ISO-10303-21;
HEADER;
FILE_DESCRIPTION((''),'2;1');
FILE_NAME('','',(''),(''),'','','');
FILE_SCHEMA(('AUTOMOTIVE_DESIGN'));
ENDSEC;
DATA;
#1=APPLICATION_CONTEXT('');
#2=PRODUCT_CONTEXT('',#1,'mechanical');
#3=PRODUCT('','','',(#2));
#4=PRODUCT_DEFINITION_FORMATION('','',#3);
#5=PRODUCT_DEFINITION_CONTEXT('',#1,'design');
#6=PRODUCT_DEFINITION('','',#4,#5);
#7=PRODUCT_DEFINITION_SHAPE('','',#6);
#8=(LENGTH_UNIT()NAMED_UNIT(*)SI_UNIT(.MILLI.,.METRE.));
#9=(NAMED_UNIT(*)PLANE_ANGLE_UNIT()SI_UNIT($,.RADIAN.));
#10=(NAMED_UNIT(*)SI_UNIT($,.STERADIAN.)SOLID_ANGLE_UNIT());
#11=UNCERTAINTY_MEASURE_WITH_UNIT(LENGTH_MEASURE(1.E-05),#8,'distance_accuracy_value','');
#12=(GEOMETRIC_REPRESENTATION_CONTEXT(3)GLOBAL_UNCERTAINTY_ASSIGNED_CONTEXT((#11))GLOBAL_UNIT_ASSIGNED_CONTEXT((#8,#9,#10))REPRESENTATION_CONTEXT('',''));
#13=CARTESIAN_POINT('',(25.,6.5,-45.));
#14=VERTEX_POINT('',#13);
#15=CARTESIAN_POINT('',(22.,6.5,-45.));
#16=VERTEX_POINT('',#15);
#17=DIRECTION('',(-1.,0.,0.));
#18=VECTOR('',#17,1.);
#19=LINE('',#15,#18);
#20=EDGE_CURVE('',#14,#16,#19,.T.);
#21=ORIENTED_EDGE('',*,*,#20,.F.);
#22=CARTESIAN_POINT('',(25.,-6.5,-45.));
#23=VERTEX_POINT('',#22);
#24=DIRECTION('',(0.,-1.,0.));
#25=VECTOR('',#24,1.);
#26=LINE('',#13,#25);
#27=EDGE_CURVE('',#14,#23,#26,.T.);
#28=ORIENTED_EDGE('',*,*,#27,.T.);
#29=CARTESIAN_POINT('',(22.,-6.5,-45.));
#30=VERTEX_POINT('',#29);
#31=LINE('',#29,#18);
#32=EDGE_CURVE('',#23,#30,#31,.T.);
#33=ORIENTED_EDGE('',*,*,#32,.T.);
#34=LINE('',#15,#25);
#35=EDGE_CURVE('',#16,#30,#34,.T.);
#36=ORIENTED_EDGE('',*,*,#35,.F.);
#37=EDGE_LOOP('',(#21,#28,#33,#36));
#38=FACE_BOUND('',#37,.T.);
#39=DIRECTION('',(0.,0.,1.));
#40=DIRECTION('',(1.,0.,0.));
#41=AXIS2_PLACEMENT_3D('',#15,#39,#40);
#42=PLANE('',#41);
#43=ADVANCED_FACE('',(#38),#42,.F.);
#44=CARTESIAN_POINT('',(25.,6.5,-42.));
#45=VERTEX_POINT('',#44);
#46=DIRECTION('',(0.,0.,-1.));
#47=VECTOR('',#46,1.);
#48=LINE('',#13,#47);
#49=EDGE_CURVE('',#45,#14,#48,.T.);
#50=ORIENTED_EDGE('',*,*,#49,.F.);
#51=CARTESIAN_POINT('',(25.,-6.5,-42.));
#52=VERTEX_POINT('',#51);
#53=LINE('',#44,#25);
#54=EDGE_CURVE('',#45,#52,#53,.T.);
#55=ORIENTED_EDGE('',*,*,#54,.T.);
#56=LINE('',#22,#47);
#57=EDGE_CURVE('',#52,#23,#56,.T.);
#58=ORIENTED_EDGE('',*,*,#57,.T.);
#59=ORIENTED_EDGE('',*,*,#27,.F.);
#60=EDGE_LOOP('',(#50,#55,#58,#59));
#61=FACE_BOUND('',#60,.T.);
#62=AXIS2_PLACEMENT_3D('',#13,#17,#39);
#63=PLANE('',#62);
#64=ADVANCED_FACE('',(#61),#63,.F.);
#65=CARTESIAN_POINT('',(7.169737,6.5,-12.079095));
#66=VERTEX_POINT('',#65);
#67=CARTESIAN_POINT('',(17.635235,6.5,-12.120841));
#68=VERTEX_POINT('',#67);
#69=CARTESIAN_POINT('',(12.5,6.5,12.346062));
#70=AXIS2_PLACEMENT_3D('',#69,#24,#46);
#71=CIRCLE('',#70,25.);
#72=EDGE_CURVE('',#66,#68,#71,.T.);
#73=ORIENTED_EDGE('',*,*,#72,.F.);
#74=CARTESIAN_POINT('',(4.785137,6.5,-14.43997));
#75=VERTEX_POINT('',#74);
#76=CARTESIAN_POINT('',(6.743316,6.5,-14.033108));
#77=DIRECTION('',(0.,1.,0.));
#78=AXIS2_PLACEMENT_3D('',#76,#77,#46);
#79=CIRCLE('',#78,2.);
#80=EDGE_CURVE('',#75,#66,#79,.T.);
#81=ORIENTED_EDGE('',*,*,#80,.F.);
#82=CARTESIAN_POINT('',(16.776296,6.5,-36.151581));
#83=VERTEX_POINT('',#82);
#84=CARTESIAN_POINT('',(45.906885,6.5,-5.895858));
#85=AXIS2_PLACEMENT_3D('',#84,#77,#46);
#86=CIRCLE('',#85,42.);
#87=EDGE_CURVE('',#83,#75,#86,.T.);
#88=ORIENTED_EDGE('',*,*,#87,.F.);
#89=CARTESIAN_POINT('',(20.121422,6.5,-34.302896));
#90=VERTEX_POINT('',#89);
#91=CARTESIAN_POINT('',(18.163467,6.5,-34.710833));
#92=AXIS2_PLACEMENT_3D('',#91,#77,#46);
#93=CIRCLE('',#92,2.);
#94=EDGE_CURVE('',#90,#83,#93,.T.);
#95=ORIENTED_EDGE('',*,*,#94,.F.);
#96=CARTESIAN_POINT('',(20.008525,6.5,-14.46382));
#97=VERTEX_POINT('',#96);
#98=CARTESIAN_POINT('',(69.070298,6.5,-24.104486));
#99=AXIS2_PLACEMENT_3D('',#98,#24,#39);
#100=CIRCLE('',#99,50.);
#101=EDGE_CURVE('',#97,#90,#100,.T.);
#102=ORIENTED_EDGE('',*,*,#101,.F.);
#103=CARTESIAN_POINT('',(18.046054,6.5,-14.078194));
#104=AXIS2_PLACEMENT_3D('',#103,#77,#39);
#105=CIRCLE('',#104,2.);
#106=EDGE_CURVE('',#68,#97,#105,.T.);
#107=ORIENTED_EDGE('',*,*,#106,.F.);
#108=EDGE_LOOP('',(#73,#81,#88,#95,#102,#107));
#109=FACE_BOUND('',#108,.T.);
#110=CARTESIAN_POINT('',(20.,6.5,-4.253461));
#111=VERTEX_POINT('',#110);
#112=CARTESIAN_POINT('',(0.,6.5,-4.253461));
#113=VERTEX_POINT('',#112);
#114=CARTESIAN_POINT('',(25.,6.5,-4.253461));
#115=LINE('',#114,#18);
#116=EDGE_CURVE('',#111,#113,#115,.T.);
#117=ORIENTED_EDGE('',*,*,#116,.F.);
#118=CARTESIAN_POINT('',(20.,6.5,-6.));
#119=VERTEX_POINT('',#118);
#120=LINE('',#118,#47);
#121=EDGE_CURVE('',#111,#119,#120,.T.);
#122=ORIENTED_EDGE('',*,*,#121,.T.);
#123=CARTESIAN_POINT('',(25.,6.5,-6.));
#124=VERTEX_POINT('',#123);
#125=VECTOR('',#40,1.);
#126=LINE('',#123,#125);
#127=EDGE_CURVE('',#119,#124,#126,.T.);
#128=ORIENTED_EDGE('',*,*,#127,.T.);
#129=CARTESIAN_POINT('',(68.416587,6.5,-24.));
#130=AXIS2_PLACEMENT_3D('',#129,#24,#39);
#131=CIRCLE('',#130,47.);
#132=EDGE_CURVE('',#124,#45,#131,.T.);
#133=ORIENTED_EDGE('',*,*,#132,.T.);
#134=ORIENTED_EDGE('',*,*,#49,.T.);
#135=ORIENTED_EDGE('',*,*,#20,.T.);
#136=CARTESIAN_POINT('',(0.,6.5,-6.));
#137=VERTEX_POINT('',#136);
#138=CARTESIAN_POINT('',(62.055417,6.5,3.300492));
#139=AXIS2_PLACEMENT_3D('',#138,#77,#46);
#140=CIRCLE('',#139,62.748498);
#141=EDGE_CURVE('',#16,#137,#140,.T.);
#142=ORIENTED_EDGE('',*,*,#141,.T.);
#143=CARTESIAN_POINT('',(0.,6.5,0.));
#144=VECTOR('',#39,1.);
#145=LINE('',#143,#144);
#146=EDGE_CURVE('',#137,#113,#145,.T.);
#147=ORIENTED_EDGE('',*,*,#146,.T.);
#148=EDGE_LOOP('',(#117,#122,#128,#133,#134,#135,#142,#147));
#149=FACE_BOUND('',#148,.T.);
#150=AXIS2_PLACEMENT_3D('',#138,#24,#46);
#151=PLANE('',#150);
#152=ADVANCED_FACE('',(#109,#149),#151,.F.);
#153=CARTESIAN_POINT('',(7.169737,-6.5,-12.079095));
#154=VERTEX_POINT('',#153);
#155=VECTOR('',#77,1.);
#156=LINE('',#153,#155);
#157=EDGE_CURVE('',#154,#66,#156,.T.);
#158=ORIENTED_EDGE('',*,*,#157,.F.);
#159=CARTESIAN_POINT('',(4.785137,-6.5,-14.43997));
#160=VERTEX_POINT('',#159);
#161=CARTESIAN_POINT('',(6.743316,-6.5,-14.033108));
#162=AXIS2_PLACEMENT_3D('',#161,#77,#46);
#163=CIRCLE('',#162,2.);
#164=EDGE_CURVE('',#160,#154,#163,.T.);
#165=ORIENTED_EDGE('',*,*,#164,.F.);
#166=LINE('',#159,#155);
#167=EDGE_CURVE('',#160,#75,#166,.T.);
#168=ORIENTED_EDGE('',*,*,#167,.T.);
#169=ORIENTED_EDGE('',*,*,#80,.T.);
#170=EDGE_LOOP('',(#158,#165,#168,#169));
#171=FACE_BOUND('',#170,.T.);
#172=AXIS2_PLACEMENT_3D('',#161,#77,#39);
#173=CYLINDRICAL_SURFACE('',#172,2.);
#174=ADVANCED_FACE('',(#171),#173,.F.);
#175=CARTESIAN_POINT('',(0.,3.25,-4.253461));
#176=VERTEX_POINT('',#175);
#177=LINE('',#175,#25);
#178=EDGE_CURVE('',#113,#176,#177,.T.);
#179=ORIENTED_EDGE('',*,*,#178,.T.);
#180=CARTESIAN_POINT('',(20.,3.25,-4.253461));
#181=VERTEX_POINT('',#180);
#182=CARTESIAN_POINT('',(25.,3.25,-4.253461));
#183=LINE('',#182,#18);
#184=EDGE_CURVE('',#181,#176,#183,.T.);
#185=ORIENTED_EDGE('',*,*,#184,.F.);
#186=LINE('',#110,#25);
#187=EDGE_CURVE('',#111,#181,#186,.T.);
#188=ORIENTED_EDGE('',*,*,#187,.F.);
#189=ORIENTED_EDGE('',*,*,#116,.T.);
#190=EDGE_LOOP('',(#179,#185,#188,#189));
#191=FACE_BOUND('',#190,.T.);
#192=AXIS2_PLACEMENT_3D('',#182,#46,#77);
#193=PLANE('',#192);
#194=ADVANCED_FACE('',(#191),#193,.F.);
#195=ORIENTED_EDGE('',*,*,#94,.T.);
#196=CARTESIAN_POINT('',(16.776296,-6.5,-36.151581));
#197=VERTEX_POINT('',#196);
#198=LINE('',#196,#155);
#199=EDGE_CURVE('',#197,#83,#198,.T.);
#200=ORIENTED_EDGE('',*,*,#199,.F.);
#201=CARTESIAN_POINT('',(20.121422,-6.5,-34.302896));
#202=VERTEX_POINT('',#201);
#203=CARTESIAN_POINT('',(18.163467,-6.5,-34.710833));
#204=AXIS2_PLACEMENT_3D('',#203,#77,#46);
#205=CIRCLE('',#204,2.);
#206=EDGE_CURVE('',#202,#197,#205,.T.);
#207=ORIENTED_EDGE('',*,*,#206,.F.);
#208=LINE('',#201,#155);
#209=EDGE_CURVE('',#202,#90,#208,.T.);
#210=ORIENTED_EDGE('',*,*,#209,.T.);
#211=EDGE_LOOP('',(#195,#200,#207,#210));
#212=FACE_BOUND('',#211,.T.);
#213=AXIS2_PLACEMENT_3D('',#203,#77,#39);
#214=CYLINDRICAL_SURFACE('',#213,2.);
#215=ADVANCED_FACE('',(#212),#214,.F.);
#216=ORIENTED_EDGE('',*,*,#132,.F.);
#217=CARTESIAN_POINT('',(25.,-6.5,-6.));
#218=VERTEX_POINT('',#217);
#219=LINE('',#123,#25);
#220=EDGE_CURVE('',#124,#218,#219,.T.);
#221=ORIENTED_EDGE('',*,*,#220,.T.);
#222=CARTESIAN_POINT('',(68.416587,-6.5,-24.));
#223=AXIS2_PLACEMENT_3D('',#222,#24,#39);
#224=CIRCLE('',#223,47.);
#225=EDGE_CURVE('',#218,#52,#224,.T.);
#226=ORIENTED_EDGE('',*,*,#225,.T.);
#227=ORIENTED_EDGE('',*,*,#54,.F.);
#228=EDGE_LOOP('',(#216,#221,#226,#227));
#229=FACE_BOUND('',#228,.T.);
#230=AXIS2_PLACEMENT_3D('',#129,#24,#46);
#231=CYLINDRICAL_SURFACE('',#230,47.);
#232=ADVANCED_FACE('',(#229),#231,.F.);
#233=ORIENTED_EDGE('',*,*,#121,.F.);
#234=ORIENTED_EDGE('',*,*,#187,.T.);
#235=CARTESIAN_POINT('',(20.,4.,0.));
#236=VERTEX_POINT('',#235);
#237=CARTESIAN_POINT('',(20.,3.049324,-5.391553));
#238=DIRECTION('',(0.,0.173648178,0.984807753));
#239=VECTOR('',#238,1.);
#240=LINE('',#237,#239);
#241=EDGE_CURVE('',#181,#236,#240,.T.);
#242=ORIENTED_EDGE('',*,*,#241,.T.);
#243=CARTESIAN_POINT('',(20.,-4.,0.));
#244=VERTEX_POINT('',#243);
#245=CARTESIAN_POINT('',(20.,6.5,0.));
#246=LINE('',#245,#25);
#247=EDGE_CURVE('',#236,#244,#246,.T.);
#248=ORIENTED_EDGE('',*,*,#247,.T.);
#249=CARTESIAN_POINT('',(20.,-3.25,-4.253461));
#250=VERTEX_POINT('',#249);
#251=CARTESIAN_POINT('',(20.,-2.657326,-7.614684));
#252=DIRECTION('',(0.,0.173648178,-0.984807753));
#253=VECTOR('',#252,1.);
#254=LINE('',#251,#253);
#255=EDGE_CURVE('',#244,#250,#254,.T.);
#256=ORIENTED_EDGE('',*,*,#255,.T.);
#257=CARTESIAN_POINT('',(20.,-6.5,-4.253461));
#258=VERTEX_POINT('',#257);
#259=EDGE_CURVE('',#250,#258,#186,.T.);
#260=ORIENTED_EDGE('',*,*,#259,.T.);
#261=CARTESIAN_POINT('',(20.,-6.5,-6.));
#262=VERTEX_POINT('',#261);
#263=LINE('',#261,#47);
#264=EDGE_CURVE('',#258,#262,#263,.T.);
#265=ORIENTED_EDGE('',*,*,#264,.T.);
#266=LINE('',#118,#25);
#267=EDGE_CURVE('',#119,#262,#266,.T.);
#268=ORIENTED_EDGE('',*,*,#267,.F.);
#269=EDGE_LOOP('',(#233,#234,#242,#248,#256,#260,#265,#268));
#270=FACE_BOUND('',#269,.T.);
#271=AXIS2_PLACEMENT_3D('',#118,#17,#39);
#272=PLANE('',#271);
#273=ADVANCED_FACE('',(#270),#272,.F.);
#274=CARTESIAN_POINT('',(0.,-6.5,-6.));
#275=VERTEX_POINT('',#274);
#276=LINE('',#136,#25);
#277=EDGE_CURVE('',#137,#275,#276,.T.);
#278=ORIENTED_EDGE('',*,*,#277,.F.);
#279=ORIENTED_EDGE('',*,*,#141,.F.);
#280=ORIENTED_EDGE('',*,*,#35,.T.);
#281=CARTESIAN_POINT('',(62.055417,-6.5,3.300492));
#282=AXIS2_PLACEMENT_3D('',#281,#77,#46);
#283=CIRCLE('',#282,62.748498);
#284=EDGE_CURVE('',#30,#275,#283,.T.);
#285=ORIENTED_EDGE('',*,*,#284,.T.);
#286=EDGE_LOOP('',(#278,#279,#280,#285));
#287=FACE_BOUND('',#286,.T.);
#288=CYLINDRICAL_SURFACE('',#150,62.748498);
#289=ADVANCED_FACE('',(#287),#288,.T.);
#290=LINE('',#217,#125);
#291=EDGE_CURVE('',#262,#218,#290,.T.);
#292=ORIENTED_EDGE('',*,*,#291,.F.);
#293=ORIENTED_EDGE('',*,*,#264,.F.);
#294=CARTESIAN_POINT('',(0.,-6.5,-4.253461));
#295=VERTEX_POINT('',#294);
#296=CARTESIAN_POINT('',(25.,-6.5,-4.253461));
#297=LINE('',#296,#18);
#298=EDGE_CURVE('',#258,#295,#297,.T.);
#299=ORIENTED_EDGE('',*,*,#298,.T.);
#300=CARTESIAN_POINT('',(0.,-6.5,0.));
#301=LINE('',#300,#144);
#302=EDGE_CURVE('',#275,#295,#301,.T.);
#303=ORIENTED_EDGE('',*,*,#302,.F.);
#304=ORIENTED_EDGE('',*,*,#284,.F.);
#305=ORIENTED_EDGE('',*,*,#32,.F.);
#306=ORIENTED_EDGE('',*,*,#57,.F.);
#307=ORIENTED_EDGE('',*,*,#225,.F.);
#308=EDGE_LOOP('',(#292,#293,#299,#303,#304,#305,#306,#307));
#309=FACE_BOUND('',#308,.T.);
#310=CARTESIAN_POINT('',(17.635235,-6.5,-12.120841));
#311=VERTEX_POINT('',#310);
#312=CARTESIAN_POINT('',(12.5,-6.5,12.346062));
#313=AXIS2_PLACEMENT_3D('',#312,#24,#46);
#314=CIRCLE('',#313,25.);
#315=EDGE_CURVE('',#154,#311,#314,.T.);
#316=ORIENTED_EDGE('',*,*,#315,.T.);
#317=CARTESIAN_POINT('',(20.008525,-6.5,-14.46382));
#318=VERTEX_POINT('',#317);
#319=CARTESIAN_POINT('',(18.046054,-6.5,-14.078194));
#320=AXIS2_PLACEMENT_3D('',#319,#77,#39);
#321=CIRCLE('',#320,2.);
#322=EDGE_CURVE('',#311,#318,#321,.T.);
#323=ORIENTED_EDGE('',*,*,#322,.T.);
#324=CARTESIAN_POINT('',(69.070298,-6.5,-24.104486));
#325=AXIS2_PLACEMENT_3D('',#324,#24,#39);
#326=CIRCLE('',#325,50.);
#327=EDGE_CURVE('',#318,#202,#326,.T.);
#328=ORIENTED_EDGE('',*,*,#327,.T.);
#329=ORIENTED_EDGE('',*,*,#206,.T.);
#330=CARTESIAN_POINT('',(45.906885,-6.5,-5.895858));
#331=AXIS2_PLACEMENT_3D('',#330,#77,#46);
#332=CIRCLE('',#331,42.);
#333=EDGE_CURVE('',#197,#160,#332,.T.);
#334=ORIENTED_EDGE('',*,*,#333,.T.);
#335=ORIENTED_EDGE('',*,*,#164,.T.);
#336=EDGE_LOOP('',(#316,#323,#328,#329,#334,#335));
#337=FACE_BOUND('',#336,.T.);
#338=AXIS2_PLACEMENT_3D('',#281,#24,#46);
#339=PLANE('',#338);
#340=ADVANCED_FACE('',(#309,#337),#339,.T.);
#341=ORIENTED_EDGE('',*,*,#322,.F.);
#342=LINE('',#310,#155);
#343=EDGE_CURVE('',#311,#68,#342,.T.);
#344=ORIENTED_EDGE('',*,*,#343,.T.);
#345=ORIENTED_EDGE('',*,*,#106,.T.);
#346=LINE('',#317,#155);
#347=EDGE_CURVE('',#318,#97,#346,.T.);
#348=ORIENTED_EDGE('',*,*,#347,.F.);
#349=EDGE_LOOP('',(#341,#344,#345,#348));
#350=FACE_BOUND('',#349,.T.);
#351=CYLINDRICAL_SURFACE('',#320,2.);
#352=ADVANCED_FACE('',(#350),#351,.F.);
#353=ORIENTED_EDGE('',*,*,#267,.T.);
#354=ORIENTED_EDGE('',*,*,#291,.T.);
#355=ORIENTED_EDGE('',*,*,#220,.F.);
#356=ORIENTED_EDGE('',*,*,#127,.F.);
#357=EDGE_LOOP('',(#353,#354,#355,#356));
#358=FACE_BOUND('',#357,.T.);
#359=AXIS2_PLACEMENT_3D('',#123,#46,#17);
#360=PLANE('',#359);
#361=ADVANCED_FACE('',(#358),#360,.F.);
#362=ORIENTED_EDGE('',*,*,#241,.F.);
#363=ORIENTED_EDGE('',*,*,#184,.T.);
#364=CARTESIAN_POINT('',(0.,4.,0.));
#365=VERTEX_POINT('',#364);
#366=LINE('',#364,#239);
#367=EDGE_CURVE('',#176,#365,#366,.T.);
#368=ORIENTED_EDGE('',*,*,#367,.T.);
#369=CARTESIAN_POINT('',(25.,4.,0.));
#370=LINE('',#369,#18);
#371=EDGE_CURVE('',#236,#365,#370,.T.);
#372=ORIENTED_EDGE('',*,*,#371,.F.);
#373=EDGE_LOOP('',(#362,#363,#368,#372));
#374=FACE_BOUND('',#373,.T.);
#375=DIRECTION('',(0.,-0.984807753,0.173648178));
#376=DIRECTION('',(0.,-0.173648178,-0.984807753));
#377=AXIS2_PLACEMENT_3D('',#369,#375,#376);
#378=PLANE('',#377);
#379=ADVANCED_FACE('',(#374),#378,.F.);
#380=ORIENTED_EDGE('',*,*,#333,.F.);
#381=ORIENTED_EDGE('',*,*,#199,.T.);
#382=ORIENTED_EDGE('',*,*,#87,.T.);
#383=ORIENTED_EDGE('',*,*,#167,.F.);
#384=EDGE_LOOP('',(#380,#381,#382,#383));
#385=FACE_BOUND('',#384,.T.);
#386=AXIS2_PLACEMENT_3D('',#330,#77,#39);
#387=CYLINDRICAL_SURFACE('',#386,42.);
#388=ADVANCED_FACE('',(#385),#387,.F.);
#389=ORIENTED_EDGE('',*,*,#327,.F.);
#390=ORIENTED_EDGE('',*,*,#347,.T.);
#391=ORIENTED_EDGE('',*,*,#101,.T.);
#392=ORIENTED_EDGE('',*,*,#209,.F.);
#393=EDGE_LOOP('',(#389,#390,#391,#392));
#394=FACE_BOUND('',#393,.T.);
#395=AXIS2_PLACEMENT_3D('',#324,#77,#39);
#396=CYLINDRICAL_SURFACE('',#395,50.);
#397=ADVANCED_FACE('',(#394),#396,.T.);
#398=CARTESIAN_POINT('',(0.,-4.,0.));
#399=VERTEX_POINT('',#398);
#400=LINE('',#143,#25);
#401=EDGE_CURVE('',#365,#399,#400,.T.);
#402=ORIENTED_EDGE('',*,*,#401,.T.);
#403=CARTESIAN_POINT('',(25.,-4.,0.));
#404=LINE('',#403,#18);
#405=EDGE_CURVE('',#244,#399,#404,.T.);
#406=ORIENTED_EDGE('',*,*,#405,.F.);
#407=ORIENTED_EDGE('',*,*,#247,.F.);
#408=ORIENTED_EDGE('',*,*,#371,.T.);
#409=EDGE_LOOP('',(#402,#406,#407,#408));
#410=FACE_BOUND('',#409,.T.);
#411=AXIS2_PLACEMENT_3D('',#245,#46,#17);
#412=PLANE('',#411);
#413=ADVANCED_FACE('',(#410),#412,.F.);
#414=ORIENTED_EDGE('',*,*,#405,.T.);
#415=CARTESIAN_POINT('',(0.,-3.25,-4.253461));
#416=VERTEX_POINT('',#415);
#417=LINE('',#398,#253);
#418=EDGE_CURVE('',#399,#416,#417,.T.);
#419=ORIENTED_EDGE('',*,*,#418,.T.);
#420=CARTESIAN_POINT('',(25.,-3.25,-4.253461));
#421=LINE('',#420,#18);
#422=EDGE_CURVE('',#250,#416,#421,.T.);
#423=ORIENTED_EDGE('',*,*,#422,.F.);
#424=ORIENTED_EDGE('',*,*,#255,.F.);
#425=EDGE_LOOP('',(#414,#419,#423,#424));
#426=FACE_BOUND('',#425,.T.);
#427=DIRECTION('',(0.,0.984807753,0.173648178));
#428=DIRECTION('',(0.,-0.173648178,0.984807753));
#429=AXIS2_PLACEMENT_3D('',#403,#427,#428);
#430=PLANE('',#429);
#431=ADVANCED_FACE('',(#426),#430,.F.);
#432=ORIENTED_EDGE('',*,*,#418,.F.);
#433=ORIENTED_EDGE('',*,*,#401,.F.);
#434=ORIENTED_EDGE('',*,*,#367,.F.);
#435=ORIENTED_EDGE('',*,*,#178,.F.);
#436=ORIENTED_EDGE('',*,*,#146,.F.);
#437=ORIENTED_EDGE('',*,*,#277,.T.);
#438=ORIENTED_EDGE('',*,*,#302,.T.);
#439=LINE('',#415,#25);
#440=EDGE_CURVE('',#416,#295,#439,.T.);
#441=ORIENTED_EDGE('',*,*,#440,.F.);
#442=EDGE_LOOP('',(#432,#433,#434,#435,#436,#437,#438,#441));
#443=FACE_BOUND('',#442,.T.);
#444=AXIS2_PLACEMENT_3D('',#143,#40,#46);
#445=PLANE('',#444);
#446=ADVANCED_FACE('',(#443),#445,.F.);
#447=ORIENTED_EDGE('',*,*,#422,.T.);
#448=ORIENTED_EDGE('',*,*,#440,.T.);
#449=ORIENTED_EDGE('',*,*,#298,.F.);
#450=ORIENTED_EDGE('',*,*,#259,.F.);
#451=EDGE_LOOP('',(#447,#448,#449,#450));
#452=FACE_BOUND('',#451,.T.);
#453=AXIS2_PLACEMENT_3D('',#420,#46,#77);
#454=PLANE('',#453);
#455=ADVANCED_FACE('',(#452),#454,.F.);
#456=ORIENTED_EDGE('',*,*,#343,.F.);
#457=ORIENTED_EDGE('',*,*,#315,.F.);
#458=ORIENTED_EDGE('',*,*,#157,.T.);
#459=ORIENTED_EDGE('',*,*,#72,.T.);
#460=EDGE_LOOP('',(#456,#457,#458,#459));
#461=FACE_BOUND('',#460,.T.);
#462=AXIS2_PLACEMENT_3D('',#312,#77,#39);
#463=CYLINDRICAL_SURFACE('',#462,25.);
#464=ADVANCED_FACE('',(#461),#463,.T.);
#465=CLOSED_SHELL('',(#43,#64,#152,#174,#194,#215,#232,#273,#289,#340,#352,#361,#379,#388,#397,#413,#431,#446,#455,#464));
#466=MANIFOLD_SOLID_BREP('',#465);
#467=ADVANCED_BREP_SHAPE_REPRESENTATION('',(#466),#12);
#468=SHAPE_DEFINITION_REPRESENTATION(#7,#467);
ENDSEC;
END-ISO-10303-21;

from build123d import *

# Parameters (mm, degrees)
EXTRUDE_1_DEPTH     = 6.5
CUT_EXTRUDE_1_DEPTH = 52.886896226
CUT_EXTRUDE_2_DEPTH = 54.09425581


with BuildPart() as part:
    # 草图1 → 凸台-拉伸1 (new, symmetric)
    with BuildSketch(Plane(origin=(0, 0, 0), x_dir=(1, 0, 0), z_dir=(0, 1, 0))):
        with BuildLine():
            Line((0, 0), (0, 6))
            ThreePointArc((0, 6), (7.402826909, 27.529174564), (22, 45))
            Line((22, 45), (25, 45))
            Line((25, 45), (25, 42))
            ThreePointArc((25, 42), (21.416586692, 24), (25, 6))
            Line((25, 6), (20, 6))
            Line((20, 6), (20, 0))
            Line((20, 0), (0, 0))
        make_face()
    extrude(amount=EXTRUDE_1_DEPTH, both=True)

    # 草图3 → 切除-拉伸1 (cut, through all)
    with BuildSketch(Plane.ZY):
        Polygon((0, 4), (0, 6.5), (-4.253461365, 6.5), (-4.253461365, 3.25), align=None)
        Polygon((0, -4), (-4.253461365, -3.25), (-4.253461365, -6.5), (0, -6.5), align=None)
    extrude(amount=-CUT_EXTRUDE_1_DEPTH, mode=Mode.SUBTRACT)

    # 草图4 → 切除-拉伸2 (cut, through all)
    with BuildSketch(Plane(origin=(0, 6.5, 0), x_dir=(1, 0, 0), z_dir=(0, 1, 0))):
        with BuildLine():
            ThreePointArc((7.169736852, 12.07909507), (12.400276965, 12.65373917), (17.63523501, 12.120841452))
            ThreePointArc((17.63523501, 12.120841452), (19.45114939, 12.654920589), (20.008524733, 14.463820333))
            ThreePointArc((20.008524733, 14.463820333), (19.071107342, 24.389014044), (20.121422197, 34.302896243))
            ThreePointArc((20.121422197, 34.302896243), (19.130864623, 36.4613018), (16.77629627, 36.151581393))
            ThreePointArc((16.77629627, 36.151581393), (9.141463638, 26.201122888), (4.785137328, 14.439970103))
            ThreePointArc((4.785137328, 14.439970103), (5.336190032, 12.611841621), (7.169736852, 12.07909507))
        make_face()
    extrude(amount=-CUT_EXTRUDE_2_DEPTH, mode=Mode.SUBTRACT)


solid = part.part
